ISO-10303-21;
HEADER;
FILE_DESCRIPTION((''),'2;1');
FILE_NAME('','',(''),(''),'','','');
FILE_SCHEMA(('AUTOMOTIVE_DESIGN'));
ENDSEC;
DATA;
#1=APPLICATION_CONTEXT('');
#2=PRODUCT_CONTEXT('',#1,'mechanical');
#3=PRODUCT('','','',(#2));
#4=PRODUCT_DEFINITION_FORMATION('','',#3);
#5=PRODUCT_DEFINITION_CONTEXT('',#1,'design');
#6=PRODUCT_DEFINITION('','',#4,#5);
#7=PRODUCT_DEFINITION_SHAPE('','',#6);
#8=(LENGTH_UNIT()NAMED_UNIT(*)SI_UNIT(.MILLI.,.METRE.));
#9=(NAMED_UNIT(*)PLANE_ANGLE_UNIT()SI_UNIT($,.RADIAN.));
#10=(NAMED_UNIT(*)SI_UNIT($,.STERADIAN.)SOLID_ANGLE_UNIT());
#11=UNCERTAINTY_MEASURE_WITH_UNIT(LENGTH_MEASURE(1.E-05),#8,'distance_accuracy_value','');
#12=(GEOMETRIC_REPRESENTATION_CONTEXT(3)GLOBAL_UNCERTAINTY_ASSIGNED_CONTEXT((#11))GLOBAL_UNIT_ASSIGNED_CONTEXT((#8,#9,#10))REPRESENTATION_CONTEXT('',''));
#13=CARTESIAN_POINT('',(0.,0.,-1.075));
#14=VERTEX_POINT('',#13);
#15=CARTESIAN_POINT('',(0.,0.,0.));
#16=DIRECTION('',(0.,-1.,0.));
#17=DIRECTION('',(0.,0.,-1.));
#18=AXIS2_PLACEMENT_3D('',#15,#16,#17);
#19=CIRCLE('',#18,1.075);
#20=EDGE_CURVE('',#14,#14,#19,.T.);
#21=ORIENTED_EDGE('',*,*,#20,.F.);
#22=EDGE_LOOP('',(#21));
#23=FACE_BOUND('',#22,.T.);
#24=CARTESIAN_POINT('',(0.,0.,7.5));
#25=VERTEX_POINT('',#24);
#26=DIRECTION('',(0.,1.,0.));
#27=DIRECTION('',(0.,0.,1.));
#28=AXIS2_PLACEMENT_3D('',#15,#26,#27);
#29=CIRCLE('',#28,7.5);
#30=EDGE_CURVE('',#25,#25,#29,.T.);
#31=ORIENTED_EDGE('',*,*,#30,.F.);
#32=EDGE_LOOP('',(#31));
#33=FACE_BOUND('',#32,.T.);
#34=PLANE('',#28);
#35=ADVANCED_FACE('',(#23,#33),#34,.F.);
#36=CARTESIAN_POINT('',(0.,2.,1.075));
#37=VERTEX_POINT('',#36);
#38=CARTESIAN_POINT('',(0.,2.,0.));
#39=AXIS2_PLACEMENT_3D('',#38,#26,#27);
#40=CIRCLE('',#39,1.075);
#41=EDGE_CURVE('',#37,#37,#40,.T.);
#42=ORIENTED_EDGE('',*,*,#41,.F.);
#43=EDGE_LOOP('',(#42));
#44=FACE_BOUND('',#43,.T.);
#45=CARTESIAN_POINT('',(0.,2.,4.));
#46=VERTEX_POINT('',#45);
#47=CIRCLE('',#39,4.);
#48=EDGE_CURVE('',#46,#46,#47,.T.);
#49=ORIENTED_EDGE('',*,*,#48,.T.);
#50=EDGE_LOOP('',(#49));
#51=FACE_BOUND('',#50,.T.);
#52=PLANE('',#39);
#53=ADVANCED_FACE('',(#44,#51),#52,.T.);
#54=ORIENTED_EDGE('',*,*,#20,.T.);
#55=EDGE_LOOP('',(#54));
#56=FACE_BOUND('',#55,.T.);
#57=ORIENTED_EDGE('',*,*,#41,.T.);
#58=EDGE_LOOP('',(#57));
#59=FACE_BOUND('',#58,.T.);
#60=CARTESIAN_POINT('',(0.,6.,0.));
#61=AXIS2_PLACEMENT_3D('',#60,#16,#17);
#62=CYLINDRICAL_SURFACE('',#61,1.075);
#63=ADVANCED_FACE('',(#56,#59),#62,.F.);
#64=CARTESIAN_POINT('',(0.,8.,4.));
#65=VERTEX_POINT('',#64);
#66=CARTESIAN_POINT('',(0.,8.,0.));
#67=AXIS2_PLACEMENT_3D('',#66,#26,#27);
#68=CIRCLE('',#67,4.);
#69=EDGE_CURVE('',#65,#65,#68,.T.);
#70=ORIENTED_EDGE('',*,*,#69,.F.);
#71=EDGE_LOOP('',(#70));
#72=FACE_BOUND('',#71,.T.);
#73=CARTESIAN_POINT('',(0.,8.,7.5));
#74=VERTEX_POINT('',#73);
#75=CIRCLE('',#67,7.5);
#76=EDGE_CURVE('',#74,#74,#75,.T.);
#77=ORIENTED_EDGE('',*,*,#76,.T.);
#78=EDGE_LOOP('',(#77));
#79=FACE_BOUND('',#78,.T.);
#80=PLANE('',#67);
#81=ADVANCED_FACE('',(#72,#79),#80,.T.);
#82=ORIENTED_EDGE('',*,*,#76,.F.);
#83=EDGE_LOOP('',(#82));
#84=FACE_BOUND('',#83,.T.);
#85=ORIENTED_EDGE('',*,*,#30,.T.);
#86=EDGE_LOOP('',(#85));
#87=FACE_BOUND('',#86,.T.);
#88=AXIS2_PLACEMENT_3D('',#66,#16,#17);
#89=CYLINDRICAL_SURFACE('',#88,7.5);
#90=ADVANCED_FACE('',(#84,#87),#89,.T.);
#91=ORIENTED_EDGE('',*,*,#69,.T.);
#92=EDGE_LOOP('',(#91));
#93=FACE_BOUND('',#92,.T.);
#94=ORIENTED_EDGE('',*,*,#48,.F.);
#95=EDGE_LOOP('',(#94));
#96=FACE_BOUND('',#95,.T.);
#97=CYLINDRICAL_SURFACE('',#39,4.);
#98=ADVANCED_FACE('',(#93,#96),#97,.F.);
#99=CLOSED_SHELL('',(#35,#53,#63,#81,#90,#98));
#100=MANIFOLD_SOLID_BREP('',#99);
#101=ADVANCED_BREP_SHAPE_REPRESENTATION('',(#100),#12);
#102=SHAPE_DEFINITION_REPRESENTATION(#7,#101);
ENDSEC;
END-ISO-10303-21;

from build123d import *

# Parameters (mm, degrees)
SKETCH1_R           = 7.5
BOSS_EXTRUDE1_DEPTH = 8
SKETCH2_R           = 4
CUT_EXTRUDE1_DEPTH  = 6
SKETCH3_R           = 1.075
CUT_EXTRUDE2_DEPTH  = 6


with BuildPart() as part:
    # Sketch1 → Boss-Extrude1 (new body)
    with BuildSketch(Plane(origin=(0, 0, 0), x_dir=(1, 0, 0), z_dir=(0, 1, 0))):
        with Locations(Location((0, 0, 0), (0, 0, 270))):  # turned: the seam where the file's is
            Circle(SKETCH1_R)
    extrude(amount=BOSS_EXTRUDE1_DEPTH)

    # Sketch2 → Cut-Extrude1 (cut)
    with BuildSketch(Plane(origin=(0, 8, 0), x_dir=(1, 0, 0), z_dir=(0, 1, 0))):
        with Locations(Location((0, 0, 0), (0, 0, 270))):  # turned: the seam where the file's is
            Circle(SKETCH2_R)
    extrude(amount=-CUT_EXTRUDE1_DEPTH, mode=Mode.SUBTRACT)

    # Sketch3 → Cut-Extrude2 (cut)
    with BuildSketch(Plane.XZ):
        with Locations(Location((0, 0, 0), (0, 0, 270))):  # turned: the seam where the file's is
            Circle(SKETCH3_R)
    extrude(amount=-CUT_EXTRUDE2_DEPTH, mode=Mode.SUBTRACT)


solid = part.part
